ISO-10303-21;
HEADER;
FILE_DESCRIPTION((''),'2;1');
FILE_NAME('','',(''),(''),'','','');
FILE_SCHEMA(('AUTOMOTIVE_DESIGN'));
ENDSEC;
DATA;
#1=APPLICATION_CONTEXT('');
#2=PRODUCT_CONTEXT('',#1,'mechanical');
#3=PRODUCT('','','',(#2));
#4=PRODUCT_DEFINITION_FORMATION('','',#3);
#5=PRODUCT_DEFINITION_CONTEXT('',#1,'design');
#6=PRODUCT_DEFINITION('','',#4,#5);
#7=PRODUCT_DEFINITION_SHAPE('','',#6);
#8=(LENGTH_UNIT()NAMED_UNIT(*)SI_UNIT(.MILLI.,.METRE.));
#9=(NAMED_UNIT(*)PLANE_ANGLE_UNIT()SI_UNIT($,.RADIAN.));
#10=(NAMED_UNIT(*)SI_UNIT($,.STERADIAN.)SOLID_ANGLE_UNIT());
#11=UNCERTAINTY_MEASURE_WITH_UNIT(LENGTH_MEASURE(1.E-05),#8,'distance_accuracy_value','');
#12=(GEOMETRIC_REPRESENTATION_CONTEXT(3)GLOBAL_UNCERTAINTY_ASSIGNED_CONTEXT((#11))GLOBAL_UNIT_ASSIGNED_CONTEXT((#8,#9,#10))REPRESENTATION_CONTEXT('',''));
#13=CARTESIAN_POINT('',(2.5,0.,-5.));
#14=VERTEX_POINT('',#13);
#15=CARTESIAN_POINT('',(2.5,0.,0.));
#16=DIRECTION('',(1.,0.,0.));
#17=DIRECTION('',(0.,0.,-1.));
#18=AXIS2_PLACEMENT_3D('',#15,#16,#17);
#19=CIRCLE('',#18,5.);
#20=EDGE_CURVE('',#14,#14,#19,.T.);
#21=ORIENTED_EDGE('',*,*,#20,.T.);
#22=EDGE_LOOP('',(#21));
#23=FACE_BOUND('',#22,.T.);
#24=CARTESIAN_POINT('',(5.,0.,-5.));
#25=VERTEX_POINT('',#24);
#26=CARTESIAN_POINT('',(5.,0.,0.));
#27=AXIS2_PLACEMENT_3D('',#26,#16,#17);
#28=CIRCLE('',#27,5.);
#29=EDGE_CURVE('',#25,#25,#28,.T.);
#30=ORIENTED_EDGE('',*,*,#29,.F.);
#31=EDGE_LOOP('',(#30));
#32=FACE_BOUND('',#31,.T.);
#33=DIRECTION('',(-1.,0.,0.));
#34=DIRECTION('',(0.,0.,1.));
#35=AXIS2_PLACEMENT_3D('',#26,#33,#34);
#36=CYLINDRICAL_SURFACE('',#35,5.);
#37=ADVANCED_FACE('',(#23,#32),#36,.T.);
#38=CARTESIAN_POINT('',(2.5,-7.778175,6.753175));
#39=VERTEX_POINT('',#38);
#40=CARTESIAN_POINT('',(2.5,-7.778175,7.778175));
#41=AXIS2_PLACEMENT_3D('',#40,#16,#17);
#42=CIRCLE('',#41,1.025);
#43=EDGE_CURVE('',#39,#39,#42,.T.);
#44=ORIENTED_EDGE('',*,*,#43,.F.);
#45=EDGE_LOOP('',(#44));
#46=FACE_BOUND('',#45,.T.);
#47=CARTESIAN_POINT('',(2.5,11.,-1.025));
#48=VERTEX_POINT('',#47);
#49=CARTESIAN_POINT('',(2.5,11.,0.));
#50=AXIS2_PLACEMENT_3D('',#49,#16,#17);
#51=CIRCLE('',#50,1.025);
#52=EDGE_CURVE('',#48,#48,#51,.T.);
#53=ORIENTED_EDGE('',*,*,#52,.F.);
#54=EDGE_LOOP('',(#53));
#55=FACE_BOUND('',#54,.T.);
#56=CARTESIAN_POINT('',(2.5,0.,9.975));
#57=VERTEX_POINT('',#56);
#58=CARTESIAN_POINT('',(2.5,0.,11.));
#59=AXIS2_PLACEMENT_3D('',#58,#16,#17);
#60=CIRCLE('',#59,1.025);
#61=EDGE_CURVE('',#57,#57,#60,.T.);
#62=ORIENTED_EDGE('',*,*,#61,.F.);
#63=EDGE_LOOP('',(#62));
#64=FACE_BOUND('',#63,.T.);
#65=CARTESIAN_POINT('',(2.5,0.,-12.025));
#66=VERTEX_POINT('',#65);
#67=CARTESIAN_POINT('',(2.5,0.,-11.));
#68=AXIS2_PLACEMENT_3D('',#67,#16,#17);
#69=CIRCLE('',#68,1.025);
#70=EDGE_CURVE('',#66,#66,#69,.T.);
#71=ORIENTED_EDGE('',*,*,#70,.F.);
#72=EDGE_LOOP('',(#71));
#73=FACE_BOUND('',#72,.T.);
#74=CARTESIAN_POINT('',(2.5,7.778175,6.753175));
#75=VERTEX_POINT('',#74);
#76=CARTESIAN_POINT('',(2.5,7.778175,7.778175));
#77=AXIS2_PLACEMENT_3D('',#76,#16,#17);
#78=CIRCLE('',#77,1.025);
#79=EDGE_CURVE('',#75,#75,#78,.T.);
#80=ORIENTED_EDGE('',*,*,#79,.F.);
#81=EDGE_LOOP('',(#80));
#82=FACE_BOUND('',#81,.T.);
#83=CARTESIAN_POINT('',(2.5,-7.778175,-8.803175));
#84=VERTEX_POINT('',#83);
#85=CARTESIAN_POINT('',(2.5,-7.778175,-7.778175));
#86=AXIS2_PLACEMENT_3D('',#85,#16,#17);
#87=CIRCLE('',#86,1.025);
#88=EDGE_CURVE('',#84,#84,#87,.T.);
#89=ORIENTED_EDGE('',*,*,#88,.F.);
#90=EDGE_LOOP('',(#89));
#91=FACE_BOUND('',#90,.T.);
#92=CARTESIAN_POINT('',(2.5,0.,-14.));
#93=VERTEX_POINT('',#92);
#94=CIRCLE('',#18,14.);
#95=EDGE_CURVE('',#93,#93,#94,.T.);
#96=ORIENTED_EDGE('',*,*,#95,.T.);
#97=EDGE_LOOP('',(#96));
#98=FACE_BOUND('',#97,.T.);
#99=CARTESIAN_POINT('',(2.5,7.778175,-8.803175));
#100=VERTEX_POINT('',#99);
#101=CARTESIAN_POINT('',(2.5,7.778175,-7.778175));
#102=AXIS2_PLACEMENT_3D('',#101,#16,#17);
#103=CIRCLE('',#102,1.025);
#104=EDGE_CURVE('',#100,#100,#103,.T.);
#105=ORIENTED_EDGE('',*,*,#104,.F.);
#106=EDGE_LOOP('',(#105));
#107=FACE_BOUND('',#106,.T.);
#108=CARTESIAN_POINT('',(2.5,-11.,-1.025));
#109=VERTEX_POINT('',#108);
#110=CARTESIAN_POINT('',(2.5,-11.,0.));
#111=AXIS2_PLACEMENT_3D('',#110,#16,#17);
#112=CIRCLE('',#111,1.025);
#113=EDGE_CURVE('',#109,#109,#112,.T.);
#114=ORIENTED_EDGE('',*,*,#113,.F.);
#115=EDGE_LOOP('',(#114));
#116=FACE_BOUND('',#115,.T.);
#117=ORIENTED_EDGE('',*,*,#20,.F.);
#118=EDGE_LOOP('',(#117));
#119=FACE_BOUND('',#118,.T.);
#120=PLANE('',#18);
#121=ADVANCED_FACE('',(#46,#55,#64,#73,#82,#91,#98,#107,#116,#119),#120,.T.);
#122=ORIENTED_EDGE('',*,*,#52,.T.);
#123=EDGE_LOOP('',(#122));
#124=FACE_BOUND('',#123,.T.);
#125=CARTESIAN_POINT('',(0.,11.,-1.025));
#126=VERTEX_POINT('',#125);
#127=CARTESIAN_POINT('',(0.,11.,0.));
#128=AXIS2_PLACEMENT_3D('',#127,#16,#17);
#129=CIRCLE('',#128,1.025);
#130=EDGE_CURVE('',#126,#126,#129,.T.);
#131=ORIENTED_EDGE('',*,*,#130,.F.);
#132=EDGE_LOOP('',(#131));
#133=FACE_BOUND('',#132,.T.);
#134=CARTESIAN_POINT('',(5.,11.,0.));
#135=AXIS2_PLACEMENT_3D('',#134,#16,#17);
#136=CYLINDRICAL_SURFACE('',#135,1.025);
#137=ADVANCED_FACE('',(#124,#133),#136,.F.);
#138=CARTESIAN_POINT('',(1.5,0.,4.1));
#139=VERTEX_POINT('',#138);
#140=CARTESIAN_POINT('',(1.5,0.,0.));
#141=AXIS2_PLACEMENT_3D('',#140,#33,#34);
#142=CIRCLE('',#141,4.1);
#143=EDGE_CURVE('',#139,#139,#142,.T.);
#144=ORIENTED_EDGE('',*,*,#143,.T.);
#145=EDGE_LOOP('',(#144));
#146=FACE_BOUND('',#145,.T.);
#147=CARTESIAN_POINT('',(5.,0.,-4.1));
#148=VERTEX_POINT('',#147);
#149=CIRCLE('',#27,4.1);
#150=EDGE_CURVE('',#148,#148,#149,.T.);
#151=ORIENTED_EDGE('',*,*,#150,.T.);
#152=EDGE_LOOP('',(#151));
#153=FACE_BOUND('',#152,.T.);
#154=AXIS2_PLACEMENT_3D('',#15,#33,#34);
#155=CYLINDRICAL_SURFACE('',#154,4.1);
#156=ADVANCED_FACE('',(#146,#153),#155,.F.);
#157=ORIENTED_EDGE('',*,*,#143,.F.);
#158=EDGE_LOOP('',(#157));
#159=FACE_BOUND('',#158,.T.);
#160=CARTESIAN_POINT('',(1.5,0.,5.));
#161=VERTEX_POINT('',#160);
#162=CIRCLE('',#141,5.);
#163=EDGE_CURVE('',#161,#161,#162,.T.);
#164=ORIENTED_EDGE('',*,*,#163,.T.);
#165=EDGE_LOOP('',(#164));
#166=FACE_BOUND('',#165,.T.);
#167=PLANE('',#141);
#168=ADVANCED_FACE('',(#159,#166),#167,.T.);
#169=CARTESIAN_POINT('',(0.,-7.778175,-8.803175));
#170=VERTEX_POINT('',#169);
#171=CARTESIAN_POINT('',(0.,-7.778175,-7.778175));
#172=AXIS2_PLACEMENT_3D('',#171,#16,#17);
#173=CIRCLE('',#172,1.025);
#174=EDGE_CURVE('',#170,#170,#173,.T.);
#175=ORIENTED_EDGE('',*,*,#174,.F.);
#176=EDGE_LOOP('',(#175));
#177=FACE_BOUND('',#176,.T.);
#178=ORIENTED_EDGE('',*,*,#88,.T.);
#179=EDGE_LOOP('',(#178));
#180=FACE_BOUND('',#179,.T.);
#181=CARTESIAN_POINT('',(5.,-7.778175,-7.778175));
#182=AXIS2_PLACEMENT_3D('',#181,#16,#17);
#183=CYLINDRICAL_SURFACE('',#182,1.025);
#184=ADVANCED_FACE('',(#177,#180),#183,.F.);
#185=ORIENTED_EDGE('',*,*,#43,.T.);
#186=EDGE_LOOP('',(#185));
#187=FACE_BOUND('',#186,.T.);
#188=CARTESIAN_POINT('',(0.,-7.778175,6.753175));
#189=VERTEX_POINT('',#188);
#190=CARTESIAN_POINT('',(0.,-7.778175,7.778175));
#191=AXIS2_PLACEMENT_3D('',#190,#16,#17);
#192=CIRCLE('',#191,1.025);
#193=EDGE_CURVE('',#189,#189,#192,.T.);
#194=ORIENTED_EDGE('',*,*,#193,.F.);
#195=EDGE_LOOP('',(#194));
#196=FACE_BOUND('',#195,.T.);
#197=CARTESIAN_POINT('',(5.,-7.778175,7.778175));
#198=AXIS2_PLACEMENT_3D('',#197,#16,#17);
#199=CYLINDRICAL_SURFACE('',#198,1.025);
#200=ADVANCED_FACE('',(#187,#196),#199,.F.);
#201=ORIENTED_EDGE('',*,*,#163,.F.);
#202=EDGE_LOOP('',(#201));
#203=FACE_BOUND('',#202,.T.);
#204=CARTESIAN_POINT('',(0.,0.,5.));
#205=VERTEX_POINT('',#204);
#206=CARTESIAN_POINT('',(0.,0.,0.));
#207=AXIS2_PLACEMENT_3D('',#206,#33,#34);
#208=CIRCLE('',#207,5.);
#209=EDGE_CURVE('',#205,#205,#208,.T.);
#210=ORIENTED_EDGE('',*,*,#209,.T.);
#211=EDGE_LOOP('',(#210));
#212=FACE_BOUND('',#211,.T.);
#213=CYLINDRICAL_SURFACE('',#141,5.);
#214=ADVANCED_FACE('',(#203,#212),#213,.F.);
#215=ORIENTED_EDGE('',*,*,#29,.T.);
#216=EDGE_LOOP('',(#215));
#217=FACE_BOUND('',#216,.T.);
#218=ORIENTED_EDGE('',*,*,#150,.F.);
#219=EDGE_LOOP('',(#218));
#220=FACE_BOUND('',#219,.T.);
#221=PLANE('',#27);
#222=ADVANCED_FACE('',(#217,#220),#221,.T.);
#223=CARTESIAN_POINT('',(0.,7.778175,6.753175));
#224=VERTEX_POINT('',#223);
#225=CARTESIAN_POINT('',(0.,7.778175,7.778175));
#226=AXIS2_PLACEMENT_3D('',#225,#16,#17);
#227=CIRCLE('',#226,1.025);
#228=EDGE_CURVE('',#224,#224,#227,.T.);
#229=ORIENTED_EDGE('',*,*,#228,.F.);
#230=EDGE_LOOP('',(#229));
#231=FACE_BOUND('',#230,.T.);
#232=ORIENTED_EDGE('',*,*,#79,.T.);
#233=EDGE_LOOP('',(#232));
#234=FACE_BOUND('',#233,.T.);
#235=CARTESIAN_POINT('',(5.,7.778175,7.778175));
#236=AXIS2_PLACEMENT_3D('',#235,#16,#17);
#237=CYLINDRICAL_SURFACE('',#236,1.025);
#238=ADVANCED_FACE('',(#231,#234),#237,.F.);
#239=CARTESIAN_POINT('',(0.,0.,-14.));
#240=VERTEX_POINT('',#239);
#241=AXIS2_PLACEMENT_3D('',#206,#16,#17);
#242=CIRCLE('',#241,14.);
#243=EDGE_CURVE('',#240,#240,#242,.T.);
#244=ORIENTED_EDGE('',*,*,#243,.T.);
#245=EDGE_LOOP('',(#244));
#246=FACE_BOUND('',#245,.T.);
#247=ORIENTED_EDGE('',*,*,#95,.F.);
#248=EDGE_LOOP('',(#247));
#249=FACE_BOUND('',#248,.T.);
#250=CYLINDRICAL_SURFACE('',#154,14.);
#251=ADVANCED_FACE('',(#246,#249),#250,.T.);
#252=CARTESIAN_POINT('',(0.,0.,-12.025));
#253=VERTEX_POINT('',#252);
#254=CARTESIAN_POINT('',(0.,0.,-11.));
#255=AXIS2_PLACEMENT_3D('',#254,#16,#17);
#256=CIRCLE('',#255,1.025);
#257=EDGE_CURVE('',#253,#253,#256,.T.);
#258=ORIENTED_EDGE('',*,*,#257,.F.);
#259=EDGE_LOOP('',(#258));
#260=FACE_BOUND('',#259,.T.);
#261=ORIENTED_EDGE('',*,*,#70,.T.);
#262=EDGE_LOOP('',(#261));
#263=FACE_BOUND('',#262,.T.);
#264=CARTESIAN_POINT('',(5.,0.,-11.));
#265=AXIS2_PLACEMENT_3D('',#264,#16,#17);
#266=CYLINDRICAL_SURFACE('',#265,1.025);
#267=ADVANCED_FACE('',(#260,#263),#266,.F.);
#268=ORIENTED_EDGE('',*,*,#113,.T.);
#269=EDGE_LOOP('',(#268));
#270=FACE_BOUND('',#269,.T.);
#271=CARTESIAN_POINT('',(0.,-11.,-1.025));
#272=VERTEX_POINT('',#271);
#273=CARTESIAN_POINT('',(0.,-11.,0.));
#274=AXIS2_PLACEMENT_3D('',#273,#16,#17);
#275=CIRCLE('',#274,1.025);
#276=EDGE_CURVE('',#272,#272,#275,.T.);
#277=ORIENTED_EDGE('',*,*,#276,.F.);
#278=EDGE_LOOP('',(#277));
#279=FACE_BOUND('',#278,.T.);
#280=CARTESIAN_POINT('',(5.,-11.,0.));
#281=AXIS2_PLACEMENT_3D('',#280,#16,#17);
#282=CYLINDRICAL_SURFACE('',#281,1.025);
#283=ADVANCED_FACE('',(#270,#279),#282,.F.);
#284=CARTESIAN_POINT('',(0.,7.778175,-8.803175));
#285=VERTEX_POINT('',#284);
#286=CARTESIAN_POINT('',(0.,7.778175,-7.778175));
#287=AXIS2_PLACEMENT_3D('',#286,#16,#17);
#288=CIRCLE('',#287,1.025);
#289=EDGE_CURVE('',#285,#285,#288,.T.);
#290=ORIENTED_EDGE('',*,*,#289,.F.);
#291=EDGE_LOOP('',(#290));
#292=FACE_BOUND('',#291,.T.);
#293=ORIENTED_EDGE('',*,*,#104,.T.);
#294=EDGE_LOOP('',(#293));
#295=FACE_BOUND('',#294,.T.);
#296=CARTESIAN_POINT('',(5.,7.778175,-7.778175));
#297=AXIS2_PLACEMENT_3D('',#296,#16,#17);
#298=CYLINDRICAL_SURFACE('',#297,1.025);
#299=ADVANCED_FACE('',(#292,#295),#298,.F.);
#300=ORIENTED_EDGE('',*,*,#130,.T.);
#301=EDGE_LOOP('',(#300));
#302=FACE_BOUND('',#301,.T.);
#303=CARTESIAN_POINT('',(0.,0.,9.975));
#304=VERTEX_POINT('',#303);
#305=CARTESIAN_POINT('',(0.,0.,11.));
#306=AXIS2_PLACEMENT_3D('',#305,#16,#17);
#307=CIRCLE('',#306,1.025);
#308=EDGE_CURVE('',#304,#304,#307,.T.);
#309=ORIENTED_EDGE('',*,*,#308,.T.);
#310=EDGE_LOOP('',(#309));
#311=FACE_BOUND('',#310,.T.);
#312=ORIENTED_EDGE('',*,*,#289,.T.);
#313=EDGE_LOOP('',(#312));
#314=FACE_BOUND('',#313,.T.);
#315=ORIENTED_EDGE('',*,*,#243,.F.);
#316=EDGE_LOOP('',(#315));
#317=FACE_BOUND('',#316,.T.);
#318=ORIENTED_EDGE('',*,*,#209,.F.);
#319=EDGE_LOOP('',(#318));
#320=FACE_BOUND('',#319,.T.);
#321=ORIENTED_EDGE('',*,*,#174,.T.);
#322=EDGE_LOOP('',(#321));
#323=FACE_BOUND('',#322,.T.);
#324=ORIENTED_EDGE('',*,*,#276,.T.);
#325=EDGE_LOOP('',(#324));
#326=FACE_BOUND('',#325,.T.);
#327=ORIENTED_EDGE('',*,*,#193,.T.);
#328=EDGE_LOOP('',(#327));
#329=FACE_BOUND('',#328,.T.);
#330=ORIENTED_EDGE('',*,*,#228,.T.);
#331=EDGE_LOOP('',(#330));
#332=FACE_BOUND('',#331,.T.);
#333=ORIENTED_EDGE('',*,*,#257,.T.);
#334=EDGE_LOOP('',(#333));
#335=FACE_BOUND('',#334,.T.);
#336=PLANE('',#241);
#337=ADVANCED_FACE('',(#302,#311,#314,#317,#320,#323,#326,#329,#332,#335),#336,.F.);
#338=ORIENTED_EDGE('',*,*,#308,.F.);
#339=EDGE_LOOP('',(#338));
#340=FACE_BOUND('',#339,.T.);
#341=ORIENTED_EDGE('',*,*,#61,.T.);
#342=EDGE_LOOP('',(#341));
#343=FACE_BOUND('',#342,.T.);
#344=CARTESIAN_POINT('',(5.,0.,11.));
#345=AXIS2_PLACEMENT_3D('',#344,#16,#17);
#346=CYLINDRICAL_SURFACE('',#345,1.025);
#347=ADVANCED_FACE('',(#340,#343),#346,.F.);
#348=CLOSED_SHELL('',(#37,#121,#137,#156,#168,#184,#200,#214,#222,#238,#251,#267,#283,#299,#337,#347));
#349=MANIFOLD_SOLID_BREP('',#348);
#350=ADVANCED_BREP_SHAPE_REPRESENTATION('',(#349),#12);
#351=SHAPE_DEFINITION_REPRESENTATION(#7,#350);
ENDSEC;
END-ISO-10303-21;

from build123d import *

# Parameters (mm, degrees)
SKETCH1_R                = 14
SKETCH1_R_2              = 4.1
BOSS_EXTRUDE1_DEPTH      = 2.5
SKETCH2_R                = 5
SKETCH2_R_2              = 4.1
BOSS_EXTRUDE2_DEPTH      = 2.5
M2_5X0_45_TAPPED_HOLE1_D = 2.05
SKETCH7_R                = 5
CUT_EXTRUDE1_DEPTH       = 1.5


with BuildPart() as part:
    # Sketch1 → Boss-Extrude1 (new body)
    with BuildSketch(Plane(origin=(0, 0, 0), x_dir=(0, 0, -1), z_dir=(1, 0, 0))):
        Circle(SKETCH1_R)
        Circle(SKETCH1_R_2, mode=Mode.SUBTRACT)
    extrude(amount=BOSS_EXTRUDE1_DEPTH)

    # Sketch2 → Boss-Extrude2 (add)
    with BuildSketch(Plane(origin=(2.5, 0, 0), x_dir=(0, 0, -1), z_dir=(1, 0, 0))):
        Circle(SKETCH2_R)
        Circle(SKETCH2_R_2, mode=Mode.SUBTRACT)
    extrude(amount=BOSS_EXTRUDE2_DEPTH)

    # M2.5x0.45 Tapped Hole1 (through all)
    with Locations(Plane(origin=(5, 0, 0), x_dir=(0, 0, -1), z_dir=(1, 0, 0))):
        with Locations((0, 11), (7.778174593, 7.778174593), (11, 0), (7.778174593, -7.778174593), (0, -11), (-7.778174593, -7.778174593), (-11, 0), (-7.778174593, 7.778174593), (0, 0)):
            Hole(M2_5X0_45_TAPPED_HOLE1_D / 2)

    # Sketch7 → Cut-Extrude1 (cut)
    with BuildSketch(Plane.ZY):
        Circle(SKETCH7_R)
    extrude(amount=-CUT_EXTRUDE1_DEPTH, mode=Mode.SUBTRACT)


solid = part.part
